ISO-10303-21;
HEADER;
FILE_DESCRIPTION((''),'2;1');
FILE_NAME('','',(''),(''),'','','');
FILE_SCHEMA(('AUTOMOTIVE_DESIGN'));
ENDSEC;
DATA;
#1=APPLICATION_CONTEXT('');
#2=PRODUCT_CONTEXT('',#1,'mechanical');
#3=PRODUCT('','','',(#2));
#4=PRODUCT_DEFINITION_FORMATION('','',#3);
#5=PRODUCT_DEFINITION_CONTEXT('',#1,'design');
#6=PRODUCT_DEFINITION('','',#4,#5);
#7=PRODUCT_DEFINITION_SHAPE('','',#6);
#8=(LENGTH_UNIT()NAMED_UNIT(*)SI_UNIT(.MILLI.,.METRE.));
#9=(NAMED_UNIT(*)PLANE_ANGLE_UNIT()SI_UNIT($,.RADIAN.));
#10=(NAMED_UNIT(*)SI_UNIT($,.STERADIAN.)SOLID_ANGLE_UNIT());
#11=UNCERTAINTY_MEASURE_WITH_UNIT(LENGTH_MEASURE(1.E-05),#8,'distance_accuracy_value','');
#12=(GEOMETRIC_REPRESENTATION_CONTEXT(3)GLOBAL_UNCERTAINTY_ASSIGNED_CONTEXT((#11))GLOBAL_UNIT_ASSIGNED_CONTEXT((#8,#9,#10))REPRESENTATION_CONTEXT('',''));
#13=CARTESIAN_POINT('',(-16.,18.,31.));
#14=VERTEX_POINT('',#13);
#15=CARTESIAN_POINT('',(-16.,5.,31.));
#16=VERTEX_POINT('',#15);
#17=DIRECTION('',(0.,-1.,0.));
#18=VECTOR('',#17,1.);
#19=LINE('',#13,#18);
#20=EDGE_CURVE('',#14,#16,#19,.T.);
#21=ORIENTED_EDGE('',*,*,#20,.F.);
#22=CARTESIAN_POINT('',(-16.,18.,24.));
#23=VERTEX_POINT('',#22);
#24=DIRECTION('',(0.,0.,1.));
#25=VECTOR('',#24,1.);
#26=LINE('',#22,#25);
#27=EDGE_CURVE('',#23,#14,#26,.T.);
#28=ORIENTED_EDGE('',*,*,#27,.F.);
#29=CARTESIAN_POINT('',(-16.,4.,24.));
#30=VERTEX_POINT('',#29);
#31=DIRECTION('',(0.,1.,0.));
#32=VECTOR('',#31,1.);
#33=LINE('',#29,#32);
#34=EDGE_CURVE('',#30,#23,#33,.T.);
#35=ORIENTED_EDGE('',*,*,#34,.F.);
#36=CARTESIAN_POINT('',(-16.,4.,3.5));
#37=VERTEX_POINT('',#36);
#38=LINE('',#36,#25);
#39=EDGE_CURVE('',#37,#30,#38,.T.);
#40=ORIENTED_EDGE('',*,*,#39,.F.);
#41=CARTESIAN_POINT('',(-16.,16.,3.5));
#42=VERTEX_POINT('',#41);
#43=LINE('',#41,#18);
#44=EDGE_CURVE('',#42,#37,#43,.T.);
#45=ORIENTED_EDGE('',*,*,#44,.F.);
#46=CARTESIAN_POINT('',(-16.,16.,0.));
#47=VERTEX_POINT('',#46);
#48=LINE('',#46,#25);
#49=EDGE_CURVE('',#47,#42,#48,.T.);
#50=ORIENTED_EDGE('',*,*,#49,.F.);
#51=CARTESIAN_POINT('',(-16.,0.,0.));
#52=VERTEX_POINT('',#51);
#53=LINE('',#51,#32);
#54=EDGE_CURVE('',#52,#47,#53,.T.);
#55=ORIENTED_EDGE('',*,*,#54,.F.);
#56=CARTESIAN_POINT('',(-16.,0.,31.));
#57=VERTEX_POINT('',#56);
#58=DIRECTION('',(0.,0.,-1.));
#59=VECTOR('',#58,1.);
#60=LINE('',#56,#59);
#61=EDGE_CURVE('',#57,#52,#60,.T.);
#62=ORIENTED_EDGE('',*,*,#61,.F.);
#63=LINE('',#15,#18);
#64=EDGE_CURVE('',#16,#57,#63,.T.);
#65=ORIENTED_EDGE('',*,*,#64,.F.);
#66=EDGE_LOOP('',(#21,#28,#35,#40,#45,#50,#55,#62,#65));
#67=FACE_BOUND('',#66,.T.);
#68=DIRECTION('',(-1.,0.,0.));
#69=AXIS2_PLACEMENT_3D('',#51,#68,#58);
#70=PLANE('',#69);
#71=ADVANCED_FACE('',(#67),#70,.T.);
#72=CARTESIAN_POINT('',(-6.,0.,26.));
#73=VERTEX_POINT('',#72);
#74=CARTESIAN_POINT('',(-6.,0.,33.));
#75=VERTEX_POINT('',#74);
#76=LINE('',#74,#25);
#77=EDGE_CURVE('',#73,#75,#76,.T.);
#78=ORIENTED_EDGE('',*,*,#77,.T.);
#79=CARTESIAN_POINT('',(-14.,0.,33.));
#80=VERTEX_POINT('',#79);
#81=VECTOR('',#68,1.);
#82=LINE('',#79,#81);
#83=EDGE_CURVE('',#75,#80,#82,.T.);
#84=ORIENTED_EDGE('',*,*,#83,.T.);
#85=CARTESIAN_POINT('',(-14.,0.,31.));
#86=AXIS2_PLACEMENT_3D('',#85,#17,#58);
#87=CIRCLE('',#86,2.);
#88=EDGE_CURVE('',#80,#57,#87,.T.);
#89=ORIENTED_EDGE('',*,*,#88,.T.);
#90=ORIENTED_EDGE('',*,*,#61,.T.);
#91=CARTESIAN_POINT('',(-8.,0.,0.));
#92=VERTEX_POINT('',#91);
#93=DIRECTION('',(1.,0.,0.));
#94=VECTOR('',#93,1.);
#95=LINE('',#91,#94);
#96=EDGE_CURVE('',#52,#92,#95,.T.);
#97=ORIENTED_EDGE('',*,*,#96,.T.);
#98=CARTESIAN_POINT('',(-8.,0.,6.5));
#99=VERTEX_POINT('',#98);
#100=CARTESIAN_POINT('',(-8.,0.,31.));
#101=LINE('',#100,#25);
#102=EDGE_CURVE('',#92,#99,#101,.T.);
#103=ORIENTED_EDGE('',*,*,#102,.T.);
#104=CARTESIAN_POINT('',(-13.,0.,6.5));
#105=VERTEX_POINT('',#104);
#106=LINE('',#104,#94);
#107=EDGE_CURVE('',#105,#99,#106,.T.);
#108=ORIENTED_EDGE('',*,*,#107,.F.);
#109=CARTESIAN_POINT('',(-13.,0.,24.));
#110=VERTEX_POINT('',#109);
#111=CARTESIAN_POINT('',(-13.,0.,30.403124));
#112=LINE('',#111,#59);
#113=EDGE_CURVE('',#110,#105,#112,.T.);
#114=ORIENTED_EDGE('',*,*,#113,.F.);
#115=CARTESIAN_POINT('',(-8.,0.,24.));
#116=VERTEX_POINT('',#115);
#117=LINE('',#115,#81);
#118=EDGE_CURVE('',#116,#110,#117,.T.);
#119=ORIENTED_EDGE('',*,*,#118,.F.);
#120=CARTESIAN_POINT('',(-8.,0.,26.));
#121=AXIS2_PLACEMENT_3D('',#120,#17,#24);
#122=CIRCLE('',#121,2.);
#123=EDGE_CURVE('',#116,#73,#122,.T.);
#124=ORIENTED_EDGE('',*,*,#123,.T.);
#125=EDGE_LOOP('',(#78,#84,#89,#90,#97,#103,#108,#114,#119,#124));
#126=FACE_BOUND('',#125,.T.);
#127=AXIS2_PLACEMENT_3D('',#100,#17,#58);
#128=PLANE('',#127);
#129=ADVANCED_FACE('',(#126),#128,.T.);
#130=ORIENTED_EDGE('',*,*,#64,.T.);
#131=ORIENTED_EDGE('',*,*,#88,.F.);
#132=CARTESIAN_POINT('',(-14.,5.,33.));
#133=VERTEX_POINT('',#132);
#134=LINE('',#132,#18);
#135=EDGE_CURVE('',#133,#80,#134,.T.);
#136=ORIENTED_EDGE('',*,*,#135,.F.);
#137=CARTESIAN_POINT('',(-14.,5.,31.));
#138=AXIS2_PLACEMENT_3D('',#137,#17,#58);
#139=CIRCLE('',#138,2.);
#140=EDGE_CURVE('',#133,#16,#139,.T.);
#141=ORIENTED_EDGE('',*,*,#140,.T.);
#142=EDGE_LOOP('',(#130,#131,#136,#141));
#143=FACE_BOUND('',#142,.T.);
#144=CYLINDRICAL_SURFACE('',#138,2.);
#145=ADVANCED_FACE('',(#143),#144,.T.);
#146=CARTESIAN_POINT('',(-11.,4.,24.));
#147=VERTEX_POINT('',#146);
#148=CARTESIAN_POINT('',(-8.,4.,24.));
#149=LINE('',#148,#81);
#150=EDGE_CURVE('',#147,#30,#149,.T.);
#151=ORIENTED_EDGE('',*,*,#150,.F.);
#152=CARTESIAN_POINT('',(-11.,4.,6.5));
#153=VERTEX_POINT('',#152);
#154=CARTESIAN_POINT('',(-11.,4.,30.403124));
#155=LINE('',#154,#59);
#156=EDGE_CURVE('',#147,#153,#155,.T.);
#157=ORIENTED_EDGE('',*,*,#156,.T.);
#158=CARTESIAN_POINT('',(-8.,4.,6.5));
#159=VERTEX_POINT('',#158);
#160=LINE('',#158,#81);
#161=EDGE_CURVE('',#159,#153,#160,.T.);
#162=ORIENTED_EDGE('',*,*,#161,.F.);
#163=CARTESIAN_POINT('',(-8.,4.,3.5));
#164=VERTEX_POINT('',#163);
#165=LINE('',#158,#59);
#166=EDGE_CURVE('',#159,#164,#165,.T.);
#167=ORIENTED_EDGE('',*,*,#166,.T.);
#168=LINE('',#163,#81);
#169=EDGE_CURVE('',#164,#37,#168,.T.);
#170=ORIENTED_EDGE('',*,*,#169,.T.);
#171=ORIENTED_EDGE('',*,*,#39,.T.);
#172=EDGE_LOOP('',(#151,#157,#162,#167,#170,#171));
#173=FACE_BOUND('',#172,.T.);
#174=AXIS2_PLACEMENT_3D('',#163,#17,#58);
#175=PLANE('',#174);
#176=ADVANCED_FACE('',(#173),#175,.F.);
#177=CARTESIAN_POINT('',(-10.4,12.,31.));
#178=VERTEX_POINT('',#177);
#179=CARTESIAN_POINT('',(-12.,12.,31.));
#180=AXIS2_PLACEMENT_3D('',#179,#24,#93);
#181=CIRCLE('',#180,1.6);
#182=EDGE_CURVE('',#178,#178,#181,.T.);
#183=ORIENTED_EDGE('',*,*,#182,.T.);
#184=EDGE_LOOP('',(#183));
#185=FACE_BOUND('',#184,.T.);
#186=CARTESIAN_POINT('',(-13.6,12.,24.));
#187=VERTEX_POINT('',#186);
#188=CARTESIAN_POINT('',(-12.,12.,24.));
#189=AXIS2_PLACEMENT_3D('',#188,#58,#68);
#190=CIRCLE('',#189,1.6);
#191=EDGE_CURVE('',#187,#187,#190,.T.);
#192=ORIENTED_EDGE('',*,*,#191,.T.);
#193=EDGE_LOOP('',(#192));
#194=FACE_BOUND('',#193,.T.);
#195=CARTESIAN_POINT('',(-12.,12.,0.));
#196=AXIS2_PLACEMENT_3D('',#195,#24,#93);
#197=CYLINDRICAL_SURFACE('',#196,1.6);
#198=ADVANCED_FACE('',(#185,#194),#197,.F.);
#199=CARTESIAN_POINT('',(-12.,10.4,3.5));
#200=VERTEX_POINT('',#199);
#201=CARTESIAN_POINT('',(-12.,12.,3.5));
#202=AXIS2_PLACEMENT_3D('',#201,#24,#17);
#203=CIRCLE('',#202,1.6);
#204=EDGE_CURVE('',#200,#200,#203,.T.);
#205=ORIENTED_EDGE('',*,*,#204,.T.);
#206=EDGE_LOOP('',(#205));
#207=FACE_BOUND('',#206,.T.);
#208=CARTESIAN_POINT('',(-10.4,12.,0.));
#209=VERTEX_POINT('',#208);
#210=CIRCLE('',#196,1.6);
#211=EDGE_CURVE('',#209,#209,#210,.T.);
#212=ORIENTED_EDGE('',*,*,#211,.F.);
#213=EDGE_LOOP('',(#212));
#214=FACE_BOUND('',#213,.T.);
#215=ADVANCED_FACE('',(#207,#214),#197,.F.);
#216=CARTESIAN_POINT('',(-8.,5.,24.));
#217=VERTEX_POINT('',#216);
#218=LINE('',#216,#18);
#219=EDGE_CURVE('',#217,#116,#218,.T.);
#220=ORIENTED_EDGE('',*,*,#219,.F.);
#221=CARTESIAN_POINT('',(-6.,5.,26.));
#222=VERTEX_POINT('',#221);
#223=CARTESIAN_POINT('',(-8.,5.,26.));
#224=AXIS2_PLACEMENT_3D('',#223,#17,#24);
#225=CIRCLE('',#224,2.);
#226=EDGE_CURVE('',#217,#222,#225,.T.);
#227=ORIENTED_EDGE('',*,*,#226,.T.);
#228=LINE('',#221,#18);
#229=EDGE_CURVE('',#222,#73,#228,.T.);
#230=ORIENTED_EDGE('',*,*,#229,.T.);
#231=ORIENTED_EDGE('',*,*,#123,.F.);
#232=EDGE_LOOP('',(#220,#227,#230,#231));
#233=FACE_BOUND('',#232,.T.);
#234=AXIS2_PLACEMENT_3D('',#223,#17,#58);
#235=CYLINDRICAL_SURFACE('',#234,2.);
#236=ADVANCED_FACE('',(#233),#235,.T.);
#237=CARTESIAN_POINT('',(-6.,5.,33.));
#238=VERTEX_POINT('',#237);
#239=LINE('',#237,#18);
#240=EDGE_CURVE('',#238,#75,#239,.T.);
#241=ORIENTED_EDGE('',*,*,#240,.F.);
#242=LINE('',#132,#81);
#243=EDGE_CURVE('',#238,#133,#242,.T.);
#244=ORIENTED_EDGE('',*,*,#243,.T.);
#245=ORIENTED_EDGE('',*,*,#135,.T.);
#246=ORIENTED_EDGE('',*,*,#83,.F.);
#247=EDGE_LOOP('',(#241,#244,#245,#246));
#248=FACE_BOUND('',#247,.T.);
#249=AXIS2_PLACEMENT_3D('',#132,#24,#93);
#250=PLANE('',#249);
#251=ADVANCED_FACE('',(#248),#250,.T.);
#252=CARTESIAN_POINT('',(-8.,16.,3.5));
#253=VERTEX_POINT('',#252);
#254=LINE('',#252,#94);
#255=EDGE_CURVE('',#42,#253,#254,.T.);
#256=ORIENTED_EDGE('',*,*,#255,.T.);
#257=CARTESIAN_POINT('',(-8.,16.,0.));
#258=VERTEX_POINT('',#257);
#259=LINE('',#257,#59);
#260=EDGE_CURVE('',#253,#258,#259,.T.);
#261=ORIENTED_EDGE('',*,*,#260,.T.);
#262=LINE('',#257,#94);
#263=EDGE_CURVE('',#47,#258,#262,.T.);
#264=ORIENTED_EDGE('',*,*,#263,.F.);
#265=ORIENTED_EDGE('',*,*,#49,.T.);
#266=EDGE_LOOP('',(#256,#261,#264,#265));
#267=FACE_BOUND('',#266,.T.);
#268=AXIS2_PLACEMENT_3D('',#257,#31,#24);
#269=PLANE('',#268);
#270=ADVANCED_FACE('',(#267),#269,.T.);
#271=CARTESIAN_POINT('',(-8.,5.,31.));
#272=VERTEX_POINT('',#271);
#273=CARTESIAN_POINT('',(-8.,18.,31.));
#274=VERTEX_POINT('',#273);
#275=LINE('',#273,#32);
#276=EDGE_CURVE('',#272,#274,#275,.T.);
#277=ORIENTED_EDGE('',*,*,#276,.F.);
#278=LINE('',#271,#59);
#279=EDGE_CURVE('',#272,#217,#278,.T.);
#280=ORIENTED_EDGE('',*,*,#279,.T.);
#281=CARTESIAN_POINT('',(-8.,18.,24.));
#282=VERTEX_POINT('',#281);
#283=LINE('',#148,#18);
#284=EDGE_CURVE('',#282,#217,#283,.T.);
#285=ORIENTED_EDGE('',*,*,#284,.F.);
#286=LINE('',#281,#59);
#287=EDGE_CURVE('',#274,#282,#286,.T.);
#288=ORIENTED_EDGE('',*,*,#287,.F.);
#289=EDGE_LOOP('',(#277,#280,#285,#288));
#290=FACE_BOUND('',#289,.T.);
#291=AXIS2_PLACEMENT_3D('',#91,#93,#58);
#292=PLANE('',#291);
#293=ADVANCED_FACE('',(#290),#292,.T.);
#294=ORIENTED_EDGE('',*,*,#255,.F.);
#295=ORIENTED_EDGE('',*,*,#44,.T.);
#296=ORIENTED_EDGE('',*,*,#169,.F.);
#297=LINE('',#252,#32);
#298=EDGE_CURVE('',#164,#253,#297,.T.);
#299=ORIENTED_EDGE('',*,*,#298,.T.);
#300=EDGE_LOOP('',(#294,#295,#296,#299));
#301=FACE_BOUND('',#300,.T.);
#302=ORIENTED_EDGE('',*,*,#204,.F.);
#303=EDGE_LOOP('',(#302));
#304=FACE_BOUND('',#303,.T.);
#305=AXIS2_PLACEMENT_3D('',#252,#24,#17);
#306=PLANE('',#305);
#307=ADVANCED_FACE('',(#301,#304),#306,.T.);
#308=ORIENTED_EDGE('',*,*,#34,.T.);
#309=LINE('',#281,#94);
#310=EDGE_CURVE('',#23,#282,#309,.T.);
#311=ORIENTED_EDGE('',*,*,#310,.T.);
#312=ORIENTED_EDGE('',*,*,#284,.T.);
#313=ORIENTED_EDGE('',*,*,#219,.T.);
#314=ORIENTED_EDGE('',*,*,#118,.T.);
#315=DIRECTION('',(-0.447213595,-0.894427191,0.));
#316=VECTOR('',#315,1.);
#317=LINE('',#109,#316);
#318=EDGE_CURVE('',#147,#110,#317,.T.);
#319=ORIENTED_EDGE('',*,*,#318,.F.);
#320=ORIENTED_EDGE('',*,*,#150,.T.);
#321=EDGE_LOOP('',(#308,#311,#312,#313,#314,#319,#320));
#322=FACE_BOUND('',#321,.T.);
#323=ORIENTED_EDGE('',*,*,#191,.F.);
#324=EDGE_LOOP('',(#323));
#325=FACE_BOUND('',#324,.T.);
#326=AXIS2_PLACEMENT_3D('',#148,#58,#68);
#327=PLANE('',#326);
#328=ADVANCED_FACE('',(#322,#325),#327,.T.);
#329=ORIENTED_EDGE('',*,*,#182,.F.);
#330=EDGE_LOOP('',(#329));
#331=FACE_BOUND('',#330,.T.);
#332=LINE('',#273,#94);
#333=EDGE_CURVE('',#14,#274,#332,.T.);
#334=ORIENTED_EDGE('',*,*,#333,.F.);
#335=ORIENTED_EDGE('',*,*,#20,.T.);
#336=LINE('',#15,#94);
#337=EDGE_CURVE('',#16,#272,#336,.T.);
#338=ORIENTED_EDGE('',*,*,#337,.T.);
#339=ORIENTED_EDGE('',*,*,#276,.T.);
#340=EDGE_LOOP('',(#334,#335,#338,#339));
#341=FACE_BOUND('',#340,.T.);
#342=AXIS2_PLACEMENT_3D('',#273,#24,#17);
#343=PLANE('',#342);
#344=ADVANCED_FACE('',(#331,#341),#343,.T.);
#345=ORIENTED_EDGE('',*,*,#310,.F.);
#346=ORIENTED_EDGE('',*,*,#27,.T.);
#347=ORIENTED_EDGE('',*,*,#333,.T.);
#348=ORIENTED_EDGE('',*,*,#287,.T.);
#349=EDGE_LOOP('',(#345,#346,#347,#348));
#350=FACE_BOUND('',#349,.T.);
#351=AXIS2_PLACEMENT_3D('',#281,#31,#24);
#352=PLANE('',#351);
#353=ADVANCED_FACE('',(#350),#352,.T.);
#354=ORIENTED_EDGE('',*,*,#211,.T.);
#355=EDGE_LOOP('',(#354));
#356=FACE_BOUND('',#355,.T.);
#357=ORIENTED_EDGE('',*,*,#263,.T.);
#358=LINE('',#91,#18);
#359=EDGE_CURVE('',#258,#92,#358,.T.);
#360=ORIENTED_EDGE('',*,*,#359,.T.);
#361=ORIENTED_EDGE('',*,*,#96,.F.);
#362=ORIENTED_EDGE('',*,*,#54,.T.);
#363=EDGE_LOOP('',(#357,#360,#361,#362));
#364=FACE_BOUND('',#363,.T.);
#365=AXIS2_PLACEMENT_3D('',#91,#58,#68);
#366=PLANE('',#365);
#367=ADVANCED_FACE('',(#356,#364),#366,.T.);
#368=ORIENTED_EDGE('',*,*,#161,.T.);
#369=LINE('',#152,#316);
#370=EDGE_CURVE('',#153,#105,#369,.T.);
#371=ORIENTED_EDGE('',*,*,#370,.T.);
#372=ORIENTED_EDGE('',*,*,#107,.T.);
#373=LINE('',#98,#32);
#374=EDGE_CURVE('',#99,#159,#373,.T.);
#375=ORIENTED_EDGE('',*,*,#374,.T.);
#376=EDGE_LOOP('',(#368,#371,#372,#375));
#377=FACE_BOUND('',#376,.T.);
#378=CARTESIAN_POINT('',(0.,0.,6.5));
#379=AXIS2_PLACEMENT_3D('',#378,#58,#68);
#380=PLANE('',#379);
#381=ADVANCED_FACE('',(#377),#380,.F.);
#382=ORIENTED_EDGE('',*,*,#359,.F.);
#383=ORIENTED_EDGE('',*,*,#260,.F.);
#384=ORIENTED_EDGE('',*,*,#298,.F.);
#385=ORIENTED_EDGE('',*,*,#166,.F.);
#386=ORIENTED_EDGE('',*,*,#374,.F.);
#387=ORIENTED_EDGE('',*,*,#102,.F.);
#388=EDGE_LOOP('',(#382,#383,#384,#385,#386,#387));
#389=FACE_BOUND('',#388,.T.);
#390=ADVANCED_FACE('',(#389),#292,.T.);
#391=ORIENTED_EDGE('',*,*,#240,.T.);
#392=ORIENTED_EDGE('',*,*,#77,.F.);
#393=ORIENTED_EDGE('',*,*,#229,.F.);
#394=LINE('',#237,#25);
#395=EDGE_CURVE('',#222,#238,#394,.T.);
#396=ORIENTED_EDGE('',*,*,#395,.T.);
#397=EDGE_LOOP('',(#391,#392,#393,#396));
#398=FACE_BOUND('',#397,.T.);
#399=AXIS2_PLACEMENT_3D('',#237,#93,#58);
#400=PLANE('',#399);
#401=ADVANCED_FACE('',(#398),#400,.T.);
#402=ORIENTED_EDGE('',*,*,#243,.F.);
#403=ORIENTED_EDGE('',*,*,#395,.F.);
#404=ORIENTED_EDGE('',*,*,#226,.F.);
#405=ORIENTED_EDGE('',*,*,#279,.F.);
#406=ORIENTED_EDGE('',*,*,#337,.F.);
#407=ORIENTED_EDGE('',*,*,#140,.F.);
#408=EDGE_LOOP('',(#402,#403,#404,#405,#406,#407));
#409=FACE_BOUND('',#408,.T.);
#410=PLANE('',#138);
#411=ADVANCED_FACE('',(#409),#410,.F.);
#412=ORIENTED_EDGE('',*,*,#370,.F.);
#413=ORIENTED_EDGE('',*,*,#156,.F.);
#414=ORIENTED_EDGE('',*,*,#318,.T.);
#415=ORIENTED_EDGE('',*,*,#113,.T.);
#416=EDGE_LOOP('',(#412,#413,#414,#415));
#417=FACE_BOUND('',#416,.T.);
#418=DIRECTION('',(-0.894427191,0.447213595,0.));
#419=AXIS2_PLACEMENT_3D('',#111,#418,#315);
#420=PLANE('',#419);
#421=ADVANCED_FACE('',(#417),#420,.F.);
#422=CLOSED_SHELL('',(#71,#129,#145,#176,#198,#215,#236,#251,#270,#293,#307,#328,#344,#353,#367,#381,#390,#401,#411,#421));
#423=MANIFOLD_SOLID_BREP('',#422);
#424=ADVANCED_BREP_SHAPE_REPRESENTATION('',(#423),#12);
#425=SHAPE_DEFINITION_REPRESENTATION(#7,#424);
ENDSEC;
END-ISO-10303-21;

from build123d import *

# Parameters (mm, degrees)
BOSS_EXTRUDE1_DEPTH = 8
CUT_EXTRUDE2_DEPTH  = 20.5
SKETCH6_W           = 35.270415117
SKETCH6_H           = 22.226622545
CUT_EXTRUDE3_DEPTH  = 8
BOSS_EXTRUDE2_DEPTH = 3
BOSS_EXTRUDE7_DEPTH = 5
SKETCH7_R           = 1.6
CUT_EXTRUDE6_DEPTH  = 40.255572853


with BuildPart() as part:
    # Sketch1 → Boss-Extrude1 (new body)
    with BuildSketch(Plane(origin=(0, 0, 0), x_dir=(0, 0, -1), z_dir=(1, 0, 0))):
        Polygon((0, 0), (0, 16), (-3.5, 16), (-3.5, 4), (-24, 4), (-24, 18), (-31, 18), (-31, 0), align=None)
    boss_extrude1 = extrude(amount=-BOSS_EXTRUDE1_DEPTH)

    # Sketch5 → Cut-Extrude2 (cut)
    with BuildSketch(Plane.XY.offset(3.5)):
        Polygon((-8, 0), (-3, 0), (-5, 4), (-8, 4), align=None)
    cut_extrude2 = extrude(amount=CUT_EXTRUDE2_DEPTH, mode=Mode.SUBTRACT)

    # Mirror1: Boss-Extrude1, Cut-Extrude2 across plane
    add(boss_extrude1.mirror(Plane(origin=(-8, 0, 0), x_dir=(0, 0, 1), z_dir=(1, 0, 0))))
    add(cut_extrude2.mirror(Plane(origin=(-8, 0, 0), x_dir=(0, 0, 1), z_dir=(1, 0, 0))), mode=Mode.SUBTRACT)

    # Sketch6 → Cut-Extrude3 (cut)
    with BuildSketch(Plane(origin=(0, 0, 0), x_dir=(0, 0, -1), z_dir=(1, 0, 0))):
        with Locations((-16.260875851, 8.713036563)):
            Rectangle(SKETCH6_W, SKETCH6_H)
    extrude(amount=-CUT_EXTRUDE3_DEPTH, mode=Mode.SUBTRACT)

    # Sketch9 → Boss-Extrude2 (add)
    with BuildSketch(Plane.XY.offset(3.5)):
        Polygon((-11, 4), (-13, 0), (-8, 0), (-8, 4), align=None)
    extrude(amount=BOSS_EXTRUDE2_DEPTH)

    # Sketch13 → Boss-Extrude7 (add)
    with BuildSketch(Plane.XZ):
        with BuildLine():
            Line((-14, 33), (-6, 33))
            Line((-6, 33), (-6, 26))
            ThreePointArc((-6, 26), (-6.585786438, 24.585786438), (-8, 24))
            Line((-8, 24), (-8, 31))
            Line((-8, 31), (-16, 31))
            ThreePointArc((-16, 31), (-15.414213562, 32.414213562), (-14, 33))
        make_face()
    extrude(amount=-BOSS_EXTRUDE7_DEPTH)

    # Sketch7 → Cut-Extrude6 (cut, through all)
    with BuildSketch(Plane.XY.offset(31)):
        with Locations((-12, 12)):
            Circle(SKETCH7_R)
    extrude(amount=-CUT_EXTRUDE6_DEPTH, mode=Mode.SUBTRACT)


solid = part.part
